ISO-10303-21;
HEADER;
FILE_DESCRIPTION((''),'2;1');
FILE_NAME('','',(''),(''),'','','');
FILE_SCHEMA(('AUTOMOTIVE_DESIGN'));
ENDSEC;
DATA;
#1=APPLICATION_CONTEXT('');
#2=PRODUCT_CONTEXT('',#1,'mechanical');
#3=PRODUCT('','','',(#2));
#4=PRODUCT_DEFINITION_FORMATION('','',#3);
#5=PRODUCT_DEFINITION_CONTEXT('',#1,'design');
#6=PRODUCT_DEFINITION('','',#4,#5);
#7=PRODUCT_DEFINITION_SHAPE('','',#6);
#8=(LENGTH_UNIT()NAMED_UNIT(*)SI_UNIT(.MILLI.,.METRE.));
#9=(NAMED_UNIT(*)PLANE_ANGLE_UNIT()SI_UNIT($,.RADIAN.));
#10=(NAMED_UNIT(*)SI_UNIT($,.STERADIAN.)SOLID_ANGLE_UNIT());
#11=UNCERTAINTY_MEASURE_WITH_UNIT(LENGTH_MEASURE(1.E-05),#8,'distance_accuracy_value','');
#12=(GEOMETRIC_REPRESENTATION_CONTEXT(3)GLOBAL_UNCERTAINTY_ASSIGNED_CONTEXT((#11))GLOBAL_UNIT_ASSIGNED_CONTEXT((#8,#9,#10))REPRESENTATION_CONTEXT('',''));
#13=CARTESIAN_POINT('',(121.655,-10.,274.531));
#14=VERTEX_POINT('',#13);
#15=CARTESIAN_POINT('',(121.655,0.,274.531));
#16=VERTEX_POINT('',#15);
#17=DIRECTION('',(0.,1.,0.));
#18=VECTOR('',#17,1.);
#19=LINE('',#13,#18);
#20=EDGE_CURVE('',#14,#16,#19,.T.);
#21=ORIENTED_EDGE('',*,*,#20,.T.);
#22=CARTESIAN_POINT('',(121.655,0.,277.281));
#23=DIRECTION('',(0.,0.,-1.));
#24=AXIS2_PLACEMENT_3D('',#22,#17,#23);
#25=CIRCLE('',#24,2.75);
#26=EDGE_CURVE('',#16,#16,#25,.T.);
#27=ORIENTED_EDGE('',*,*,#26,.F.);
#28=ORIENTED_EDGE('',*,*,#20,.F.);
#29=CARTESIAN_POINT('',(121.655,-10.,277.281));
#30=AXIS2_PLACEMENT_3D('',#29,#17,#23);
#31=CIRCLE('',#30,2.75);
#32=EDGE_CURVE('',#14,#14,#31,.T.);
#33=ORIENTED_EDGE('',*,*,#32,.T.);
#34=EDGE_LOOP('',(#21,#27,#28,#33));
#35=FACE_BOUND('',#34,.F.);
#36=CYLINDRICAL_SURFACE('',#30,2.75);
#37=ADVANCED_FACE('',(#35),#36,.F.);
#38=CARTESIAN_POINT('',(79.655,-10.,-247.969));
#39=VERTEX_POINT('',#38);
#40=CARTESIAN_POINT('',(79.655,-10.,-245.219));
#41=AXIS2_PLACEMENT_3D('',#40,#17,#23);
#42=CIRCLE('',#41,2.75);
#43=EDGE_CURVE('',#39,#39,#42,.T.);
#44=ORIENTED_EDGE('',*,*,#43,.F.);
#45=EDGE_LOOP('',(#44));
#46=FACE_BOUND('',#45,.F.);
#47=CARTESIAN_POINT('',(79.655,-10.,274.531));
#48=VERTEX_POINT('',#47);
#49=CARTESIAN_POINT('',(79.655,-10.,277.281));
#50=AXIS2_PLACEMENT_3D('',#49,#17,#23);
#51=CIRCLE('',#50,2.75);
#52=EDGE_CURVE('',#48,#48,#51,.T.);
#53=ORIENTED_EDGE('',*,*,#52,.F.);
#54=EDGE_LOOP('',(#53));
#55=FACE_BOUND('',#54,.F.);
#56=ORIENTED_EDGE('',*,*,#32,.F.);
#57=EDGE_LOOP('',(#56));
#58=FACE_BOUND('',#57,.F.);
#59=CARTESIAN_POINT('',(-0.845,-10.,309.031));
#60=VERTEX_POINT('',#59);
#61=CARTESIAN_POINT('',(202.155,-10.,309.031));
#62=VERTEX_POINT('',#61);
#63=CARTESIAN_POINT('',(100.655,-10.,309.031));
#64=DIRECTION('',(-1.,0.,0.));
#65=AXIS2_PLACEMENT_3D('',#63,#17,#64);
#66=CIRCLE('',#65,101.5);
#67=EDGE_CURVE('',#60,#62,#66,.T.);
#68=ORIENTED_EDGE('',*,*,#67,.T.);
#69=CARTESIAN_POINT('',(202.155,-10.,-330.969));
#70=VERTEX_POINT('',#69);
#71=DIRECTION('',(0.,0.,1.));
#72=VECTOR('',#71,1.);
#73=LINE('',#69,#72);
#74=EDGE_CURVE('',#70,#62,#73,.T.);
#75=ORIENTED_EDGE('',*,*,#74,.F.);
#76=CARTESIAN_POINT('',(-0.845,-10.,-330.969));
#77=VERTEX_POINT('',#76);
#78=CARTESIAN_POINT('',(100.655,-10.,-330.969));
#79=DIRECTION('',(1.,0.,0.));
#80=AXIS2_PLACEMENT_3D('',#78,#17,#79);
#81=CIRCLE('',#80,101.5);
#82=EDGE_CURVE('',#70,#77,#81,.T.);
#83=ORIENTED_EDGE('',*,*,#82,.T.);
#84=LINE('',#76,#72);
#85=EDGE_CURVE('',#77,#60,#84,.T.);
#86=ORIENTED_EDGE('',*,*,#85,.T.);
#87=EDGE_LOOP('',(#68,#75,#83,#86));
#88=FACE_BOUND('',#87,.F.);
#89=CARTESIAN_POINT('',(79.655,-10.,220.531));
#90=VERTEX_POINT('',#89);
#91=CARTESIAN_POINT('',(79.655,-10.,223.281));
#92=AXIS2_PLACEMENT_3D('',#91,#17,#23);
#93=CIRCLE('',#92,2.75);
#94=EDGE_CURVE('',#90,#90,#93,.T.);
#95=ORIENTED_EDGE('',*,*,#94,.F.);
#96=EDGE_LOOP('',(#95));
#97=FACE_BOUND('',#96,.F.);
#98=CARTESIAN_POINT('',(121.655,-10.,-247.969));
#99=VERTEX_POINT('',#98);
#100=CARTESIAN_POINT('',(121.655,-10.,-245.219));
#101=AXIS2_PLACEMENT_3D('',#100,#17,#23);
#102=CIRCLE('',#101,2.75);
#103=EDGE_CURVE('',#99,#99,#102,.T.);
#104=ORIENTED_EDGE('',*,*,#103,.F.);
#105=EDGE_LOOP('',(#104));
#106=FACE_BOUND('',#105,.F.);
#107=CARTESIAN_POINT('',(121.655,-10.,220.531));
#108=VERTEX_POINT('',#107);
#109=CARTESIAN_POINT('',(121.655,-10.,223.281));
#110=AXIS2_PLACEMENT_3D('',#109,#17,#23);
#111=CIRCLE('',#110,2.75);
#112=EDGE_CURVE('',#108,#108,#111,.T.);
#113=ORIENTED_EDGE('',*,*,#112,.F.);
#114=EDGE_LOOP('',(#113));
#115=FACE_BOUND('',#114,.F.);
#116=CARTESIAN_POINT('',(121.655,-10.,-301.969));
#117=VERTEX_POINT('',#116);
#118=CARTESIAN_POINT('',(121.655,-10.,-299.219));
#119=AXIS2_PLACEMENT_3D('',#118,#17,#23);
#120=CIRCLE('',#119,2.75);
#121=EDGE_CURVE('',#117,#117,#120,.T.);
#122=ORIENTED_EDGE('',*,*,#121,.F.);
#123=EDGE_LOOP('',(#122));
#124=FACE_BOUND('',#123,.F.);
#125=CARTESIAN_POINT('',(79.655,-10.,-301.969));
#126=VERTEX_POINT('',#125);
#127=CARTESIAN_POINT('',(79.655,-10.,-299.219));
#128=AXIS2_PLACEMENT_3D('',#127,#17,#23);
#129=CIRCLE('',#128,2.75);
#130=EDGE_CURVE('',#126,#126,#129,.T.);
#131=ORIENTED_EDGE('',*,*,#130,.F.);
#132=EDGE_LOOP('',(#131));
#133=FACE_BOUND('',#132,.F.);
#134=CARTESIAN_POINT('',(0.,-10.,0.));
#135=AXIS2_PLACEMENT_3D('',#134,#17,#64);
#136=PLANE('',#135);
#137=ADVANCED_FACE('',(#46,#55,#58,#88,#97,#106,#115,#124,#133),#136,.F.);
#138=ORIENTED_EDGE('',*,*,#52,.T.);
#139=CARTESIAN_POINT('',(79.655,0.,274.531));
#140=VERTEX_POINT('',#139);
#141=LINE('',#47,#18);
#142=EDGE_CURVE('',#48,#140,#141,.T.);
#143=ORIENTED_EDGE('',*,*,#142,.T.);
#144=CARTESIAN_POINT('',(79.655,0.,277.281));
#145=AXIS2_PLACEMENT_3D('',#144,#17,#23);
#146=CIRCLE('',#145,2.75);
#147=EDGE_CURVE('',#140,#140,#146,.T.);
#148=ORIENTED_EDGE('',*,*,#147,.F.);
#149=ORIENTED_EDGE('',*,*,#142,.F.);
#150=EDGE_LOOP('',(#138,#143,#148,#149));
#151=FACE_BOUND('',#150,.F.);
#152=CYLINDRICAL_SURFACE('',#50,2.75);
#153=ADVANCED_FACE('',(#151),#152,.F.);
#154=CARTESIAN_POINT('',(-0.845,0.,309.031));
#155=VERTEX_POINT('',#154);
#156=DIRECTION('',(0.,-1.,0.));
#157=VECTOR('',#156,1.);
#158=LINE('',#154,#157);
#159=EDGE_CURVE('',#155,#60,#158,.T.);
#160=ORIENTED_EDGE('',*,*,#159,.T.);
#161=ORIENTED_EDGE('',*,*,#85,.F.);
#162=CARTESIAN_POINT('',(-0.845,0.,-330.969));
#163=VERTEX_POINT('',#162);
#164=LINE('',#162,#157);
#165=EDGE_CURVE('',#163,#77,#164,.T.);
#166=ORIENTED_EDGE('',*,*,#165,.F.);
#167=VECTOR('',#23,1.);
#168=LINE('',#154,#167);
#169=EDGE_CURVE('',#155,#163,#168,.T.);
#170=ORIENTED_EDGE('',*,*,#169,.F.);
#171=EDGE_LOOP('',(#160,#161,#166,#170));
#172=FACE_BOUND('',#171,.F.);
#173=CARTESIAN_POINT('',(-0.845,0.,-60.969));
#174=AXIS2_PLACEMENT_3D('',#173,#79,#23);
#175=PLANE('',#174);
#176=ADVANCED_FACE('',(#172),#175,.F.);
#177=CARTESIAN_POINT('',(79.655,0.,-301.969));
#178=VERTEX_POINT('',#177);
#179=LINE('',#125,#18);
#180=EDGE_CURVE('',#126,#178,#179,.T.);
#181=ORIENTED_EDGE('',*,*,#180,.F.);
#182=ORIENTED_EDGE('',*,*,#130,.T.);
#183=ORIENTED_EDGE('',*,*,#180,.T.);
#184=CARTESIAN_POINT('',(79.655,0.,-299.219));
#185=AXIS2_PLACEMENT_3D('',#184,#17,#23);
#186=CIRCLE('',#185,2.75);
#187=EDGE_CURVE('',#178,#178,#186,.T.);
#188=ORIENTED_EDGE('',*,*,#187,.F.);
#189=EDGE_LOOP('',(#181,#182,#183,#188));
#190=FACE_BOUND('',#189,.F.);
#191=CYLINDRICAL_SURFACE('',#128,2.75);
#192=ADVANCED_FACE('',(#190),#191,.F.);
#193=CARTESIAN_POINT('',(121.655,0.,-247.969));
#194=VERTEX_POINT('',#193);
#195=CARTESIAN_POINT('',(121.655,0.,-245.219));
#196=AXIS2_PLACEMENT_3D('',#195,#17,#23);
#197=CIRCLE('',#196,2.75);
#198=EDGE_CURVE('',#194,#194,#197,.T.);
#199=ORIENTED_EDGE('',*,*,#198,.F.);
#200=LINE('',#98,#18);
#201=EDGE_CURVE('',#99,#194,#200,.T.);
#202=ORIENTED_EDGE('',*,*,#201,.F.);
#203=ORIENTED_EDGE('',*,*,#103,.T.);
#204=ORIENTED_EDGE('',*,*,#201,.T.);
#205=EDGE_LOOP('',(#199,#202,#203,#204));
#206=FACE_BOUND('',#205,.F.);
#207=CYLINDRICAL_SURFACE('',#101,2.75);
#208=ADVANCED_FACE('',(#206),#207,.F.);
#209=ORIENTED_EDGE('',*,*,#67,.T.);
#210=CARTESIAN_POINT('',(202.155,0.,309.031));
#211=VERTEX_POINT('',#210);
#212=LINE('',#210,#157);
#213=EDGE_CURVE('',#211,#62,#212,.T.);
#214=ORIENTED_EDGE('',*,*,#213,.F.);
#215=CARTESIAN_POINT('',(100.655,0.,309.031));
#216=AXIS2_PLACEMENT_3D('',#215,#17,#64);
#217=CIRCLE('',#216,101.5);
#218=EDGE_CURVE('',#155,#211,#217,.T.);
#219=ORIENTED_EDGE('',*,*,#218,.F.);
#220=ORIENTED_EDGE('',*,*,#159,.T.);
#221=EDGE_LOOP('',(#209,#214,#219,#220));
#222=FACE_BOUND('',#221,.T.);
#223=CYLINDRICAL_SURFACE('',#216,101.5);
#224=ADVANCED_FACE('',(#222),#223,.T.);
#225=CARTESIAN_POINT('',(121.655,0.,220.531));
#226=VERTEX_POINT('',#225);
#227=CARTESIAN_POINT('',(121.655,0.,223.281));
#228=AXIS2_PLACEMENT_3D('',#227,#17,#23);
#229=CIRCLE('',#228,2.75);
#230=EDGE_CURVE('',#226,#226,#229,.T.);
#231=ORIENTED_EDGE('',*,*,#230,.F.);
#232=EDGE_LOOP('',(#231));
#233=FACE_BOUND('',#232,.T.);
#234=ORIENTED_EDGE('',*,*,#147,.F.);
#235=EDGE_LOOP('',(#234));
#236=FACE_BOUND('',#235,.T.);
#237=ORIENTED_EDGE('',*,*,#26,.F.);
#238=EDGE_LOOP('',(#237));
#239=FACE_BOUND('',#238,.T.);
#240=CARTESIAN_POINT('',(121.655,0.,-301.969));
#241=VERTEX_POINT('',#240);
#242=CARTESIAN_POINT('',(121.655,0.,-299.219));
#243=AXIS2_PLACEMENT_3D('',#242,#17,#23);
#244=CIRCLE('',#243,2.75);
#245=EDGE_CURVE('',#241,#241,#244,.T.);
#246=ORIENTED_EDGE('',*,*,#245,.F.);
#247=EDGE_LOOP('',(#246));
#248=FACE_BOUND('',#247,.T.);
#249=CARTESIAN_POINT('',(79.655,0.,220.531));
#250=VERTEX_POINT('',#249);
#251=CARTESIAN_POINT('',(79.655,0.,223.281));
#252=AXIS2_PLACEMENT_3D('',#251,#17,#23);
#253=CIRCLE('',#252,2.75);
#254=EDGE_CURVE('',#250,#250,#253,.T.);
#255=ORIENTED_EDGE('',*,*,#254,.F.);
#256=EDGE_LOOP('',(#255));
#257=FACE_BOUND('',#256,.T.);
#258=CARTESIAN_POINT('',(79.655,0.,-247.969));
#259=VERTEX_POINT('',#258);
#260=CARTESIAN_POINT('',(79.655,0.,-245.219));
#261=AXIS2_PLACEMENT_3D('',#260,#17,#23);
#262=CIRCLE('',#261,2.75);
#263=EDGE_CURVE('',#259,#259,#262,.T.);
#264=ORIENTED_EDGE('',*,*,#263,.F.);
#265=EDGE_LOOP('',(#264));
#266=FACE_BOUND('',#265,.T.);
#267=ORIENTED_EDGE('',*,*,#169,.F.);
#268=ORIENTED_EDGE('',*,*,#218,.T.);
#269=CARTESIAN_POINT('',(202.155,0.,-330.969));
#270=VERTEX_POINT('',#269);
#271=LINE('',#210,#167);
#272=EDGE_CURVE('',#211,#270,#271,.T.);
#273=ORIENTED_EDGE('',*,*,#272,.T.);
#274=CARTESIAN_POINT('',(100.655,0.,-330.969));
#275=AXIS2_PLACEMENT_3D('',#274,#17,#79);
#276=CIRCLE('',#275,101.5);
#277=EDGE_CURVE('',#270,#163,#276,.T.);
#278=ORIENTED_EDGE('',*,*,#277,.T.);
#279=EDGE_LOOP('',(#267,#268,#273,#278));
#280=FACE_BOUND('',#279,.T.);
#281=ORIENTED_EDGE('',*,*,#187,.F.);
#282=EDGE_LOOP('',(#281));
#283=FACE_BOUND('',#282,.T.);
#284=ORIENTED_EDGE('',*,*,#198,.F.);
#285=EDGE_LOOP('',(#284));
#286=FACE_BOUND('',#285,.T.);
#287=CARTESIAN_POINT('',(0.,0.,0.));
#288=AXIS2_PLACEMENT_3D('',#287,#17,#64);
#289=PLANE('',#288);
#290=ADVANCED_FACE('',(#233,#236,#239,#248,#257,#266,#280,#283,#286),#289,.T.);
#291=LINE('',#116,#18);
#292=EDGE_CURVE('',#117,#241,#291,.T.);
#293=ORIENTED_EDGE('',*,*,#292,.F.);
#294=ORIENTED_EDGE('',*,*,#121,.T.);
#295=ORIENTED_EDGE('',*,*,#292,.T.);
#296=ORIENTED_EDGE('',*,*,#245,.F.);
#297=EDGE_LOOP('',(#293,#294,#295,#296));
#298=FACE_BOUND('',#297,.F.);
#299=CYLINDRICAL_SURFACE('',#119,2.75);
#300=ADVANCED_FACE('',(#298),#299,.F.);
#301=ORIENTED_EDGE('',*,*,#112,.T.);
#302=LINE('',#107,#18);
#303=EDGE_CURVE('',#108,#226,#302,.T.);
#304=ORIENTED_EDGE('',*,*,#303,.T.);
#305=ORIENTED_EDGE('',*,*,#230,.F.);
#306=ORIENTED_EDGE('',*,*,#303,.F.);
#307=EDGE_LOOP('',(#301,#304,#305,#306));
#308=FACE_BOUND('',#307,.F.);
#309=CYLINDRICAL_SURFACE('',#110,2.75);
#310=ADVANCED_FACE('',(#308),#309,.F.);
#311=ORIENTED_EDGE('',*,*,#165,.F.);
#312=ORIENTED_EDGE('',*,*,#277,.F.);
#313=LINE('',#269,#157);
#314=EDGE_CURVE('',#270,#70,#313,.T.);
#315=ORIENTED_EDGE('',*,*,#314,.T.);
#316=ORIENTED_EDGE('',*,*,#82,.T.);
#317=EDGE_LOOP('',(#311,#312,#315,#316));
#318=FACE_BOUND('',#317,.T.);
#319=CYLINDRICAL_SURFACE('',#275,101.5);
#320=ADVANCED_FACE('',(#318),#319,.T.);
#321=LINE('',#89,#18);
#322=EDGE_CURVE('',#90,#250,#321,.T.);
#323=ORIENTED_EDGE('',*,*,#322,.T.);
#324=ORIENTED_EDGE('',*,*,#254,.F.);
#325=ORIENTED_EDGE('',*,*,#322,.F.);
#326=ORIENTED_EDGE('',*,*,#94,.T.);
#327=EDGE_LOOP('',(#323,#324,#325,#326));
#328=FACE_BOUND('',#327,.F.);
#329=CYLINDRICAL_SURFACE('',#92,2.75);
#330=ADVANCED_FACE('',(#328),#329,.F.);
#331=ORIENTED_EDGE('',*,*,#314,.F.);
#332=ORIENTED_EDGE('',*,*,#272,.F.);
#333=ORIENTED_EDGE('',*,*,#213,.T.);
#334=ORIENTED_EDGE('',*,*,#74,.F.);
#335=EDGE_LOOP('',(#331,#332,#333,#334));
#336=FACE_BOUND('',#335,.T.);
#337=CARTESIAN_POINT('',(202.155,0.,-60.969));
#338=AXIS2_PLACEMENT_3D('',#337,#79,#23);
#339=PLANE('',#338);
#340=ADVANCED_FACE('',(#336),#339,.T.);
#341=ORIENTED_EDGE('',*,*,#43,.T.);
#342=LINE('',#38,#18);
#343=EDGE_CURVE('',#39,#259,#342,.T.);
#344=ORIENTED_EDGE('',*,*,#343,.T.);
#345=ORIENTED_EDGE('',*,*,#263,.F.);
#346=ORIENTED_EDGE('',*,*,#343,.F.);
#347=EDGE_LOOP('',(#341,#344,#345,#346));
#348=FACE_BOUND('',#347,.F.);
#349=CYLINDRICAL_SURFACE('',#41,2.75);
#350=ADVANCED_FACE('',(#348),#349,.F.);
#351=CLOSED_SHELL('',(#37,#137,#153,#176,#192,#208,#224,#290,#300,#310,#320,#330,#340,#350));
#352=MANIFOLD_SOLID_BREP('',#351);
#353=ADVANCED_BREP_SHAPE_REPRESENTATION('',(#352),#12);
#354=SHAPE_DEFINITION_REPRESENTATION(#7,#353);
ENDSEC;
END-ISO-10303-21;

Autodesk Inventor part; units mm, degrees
ref_plane "YZ Plane" through (0, 0, 0) normal (1, 0, 0) x (0, 1, 0)
ref_plane "XZ Plane" through (0, 0, 0) normal (0, 1, 0) x (-1, 0, 0)
ref_plane "XY Plane" through (0, 0, 0) normal (0, 0, 1) x (1, 0, 0)
sketch "スケッチ1" plane through (0, 0, 0) normal (0, 1, 0) x (-1, 0, 0)
  point P0 (0, 0)
sketch "スケッチ2" plane through (0, 0, 0) normal (0, 1, 0) x (-1, 0, 0)
  line L0 (0.845, -60.969) -> (0.845, -330.969)
  line L1 (0, 0) -> (0, -1.5537)
  line L2 (-202.155, -60.969) -> (-202.155, -330.969)
  arc A0 (-202.155, -330.969) -> (0.845, -330.969) centre (-100.655, -330.969) ccw
  line L3 (0.845, -60.969) -> (0.845, 309.031)
  line L4 (-202.155, -60.969) -> (-202.155, 309.031)
  arc A1 (0.845, 309.031) -> (-202.155, 309.031) centre (-100.655, 309.031) ccw
  dimension "d0" = 270
  dimension "d1" = 203
extrude "押し出し1" add sketch "スケッチ2" against normal blind 10
sketch "スケッチ4" plane through (0, -10, 0) normal (0, -1, 0) x (1, 0, 0)
  line L0 (73.655, -234.969) -> (127.655, -234.969)
  line L1 (127.655, -234.969) -> (127.655, -310.969)
  line L2 (127.655, -310.969) -> (73.655, -310.969)
  line L3 (73.655, -310.969) -> (73.655, -234.969)
  line L4 (202.155, -330.969) -> (202.155, 309.031) projected
  line L5 (-0.845, 309.031) -> (-0.845, -330.969) projected
  arc A0 (-0.845, -330.969) -> (202.155, -330.969) centre (100.655, -330.969) ccw projected
  line L6 (-0.845, -10.969) -> (202.155, -10.969)
  arc A1 (202.155, 309.031) -> (-0.845, 309.031) centre (100.655, 309.031) ccw projected
  line L7 (73.655, 213.031) -> (127.655, 213.031)
  line L8 (127.655, 213.031) -> (127.655, 289.031)
  line L9 (127.655, 289.031) -> (73.655, 289.031)
  line L10 (73.655, 289.031) -> (73.655, 213.031)
  circle A2 centre (79.655, -299.219) radius 2.75
  line L11 (100.655, -256.1001) -> (100.655, -272.969)
  circle A3 centre (79.655, -245.219) radius 2.75
  circle A4 centre (121.655, -299.219) radius 2.75
  circle A5 centre (121.655, -245.219) radius 2.75
  line L12 (73.655, 213.031) -> (127.655, 213.031)
  line L13 (127.655, 213.031) -> (127.655, 289.031)
  line L14 (127.655, 289.031) -> (73.655, 289.031)
  line L15 (73.655, 289.031) -> (73.655, 213.031)
  circle A6 centre (79.655, 277.281) radius 2.75
  line L16 (100.655, 234.1622) -> (100.655, 251.031)
  circle A7 centre (79.655, 223.281) radius 2.75
  circle A8 centre (121.655, 223.281) radius 2.75
  circle A9 centre (121.655, 277.281) radius 2.75
  point P0 (0, 0)
  dimension "d4" = 74.5
  dimension "d5" = 74.5
  dimension "d6" = 54
  dimension "d7" = 76
  dimension "d8" = 20
  dimension "d9" = 320
  dimension "d17" = 5.5
  dimension "d18" = 11.75
  dimension "d19" = 6
  dimension "d20" = 27
  dimension "d21" = 5.5
  dimension "d22" = 10.25
  dimension "d23" = 6
hole "穴2" at (79.655, -10, -245.219) at (79.655, -10, -299.219) at (121.655, -10, -299.219) at (121.655, -10, -245.219) direction (0, 1, 0) diameter 5.5 end through all
hole "穴3" at (79.655, -10, 223.281) at (121.655, -10, 223.281) at (121.655, -10, 277.281) at (79.655, -10, 277.281) direction (0, 1, 0) diameter 5.5 end through all
properties part number "sfp_smartboard_deck_upper" material "合板、仕上げ"
